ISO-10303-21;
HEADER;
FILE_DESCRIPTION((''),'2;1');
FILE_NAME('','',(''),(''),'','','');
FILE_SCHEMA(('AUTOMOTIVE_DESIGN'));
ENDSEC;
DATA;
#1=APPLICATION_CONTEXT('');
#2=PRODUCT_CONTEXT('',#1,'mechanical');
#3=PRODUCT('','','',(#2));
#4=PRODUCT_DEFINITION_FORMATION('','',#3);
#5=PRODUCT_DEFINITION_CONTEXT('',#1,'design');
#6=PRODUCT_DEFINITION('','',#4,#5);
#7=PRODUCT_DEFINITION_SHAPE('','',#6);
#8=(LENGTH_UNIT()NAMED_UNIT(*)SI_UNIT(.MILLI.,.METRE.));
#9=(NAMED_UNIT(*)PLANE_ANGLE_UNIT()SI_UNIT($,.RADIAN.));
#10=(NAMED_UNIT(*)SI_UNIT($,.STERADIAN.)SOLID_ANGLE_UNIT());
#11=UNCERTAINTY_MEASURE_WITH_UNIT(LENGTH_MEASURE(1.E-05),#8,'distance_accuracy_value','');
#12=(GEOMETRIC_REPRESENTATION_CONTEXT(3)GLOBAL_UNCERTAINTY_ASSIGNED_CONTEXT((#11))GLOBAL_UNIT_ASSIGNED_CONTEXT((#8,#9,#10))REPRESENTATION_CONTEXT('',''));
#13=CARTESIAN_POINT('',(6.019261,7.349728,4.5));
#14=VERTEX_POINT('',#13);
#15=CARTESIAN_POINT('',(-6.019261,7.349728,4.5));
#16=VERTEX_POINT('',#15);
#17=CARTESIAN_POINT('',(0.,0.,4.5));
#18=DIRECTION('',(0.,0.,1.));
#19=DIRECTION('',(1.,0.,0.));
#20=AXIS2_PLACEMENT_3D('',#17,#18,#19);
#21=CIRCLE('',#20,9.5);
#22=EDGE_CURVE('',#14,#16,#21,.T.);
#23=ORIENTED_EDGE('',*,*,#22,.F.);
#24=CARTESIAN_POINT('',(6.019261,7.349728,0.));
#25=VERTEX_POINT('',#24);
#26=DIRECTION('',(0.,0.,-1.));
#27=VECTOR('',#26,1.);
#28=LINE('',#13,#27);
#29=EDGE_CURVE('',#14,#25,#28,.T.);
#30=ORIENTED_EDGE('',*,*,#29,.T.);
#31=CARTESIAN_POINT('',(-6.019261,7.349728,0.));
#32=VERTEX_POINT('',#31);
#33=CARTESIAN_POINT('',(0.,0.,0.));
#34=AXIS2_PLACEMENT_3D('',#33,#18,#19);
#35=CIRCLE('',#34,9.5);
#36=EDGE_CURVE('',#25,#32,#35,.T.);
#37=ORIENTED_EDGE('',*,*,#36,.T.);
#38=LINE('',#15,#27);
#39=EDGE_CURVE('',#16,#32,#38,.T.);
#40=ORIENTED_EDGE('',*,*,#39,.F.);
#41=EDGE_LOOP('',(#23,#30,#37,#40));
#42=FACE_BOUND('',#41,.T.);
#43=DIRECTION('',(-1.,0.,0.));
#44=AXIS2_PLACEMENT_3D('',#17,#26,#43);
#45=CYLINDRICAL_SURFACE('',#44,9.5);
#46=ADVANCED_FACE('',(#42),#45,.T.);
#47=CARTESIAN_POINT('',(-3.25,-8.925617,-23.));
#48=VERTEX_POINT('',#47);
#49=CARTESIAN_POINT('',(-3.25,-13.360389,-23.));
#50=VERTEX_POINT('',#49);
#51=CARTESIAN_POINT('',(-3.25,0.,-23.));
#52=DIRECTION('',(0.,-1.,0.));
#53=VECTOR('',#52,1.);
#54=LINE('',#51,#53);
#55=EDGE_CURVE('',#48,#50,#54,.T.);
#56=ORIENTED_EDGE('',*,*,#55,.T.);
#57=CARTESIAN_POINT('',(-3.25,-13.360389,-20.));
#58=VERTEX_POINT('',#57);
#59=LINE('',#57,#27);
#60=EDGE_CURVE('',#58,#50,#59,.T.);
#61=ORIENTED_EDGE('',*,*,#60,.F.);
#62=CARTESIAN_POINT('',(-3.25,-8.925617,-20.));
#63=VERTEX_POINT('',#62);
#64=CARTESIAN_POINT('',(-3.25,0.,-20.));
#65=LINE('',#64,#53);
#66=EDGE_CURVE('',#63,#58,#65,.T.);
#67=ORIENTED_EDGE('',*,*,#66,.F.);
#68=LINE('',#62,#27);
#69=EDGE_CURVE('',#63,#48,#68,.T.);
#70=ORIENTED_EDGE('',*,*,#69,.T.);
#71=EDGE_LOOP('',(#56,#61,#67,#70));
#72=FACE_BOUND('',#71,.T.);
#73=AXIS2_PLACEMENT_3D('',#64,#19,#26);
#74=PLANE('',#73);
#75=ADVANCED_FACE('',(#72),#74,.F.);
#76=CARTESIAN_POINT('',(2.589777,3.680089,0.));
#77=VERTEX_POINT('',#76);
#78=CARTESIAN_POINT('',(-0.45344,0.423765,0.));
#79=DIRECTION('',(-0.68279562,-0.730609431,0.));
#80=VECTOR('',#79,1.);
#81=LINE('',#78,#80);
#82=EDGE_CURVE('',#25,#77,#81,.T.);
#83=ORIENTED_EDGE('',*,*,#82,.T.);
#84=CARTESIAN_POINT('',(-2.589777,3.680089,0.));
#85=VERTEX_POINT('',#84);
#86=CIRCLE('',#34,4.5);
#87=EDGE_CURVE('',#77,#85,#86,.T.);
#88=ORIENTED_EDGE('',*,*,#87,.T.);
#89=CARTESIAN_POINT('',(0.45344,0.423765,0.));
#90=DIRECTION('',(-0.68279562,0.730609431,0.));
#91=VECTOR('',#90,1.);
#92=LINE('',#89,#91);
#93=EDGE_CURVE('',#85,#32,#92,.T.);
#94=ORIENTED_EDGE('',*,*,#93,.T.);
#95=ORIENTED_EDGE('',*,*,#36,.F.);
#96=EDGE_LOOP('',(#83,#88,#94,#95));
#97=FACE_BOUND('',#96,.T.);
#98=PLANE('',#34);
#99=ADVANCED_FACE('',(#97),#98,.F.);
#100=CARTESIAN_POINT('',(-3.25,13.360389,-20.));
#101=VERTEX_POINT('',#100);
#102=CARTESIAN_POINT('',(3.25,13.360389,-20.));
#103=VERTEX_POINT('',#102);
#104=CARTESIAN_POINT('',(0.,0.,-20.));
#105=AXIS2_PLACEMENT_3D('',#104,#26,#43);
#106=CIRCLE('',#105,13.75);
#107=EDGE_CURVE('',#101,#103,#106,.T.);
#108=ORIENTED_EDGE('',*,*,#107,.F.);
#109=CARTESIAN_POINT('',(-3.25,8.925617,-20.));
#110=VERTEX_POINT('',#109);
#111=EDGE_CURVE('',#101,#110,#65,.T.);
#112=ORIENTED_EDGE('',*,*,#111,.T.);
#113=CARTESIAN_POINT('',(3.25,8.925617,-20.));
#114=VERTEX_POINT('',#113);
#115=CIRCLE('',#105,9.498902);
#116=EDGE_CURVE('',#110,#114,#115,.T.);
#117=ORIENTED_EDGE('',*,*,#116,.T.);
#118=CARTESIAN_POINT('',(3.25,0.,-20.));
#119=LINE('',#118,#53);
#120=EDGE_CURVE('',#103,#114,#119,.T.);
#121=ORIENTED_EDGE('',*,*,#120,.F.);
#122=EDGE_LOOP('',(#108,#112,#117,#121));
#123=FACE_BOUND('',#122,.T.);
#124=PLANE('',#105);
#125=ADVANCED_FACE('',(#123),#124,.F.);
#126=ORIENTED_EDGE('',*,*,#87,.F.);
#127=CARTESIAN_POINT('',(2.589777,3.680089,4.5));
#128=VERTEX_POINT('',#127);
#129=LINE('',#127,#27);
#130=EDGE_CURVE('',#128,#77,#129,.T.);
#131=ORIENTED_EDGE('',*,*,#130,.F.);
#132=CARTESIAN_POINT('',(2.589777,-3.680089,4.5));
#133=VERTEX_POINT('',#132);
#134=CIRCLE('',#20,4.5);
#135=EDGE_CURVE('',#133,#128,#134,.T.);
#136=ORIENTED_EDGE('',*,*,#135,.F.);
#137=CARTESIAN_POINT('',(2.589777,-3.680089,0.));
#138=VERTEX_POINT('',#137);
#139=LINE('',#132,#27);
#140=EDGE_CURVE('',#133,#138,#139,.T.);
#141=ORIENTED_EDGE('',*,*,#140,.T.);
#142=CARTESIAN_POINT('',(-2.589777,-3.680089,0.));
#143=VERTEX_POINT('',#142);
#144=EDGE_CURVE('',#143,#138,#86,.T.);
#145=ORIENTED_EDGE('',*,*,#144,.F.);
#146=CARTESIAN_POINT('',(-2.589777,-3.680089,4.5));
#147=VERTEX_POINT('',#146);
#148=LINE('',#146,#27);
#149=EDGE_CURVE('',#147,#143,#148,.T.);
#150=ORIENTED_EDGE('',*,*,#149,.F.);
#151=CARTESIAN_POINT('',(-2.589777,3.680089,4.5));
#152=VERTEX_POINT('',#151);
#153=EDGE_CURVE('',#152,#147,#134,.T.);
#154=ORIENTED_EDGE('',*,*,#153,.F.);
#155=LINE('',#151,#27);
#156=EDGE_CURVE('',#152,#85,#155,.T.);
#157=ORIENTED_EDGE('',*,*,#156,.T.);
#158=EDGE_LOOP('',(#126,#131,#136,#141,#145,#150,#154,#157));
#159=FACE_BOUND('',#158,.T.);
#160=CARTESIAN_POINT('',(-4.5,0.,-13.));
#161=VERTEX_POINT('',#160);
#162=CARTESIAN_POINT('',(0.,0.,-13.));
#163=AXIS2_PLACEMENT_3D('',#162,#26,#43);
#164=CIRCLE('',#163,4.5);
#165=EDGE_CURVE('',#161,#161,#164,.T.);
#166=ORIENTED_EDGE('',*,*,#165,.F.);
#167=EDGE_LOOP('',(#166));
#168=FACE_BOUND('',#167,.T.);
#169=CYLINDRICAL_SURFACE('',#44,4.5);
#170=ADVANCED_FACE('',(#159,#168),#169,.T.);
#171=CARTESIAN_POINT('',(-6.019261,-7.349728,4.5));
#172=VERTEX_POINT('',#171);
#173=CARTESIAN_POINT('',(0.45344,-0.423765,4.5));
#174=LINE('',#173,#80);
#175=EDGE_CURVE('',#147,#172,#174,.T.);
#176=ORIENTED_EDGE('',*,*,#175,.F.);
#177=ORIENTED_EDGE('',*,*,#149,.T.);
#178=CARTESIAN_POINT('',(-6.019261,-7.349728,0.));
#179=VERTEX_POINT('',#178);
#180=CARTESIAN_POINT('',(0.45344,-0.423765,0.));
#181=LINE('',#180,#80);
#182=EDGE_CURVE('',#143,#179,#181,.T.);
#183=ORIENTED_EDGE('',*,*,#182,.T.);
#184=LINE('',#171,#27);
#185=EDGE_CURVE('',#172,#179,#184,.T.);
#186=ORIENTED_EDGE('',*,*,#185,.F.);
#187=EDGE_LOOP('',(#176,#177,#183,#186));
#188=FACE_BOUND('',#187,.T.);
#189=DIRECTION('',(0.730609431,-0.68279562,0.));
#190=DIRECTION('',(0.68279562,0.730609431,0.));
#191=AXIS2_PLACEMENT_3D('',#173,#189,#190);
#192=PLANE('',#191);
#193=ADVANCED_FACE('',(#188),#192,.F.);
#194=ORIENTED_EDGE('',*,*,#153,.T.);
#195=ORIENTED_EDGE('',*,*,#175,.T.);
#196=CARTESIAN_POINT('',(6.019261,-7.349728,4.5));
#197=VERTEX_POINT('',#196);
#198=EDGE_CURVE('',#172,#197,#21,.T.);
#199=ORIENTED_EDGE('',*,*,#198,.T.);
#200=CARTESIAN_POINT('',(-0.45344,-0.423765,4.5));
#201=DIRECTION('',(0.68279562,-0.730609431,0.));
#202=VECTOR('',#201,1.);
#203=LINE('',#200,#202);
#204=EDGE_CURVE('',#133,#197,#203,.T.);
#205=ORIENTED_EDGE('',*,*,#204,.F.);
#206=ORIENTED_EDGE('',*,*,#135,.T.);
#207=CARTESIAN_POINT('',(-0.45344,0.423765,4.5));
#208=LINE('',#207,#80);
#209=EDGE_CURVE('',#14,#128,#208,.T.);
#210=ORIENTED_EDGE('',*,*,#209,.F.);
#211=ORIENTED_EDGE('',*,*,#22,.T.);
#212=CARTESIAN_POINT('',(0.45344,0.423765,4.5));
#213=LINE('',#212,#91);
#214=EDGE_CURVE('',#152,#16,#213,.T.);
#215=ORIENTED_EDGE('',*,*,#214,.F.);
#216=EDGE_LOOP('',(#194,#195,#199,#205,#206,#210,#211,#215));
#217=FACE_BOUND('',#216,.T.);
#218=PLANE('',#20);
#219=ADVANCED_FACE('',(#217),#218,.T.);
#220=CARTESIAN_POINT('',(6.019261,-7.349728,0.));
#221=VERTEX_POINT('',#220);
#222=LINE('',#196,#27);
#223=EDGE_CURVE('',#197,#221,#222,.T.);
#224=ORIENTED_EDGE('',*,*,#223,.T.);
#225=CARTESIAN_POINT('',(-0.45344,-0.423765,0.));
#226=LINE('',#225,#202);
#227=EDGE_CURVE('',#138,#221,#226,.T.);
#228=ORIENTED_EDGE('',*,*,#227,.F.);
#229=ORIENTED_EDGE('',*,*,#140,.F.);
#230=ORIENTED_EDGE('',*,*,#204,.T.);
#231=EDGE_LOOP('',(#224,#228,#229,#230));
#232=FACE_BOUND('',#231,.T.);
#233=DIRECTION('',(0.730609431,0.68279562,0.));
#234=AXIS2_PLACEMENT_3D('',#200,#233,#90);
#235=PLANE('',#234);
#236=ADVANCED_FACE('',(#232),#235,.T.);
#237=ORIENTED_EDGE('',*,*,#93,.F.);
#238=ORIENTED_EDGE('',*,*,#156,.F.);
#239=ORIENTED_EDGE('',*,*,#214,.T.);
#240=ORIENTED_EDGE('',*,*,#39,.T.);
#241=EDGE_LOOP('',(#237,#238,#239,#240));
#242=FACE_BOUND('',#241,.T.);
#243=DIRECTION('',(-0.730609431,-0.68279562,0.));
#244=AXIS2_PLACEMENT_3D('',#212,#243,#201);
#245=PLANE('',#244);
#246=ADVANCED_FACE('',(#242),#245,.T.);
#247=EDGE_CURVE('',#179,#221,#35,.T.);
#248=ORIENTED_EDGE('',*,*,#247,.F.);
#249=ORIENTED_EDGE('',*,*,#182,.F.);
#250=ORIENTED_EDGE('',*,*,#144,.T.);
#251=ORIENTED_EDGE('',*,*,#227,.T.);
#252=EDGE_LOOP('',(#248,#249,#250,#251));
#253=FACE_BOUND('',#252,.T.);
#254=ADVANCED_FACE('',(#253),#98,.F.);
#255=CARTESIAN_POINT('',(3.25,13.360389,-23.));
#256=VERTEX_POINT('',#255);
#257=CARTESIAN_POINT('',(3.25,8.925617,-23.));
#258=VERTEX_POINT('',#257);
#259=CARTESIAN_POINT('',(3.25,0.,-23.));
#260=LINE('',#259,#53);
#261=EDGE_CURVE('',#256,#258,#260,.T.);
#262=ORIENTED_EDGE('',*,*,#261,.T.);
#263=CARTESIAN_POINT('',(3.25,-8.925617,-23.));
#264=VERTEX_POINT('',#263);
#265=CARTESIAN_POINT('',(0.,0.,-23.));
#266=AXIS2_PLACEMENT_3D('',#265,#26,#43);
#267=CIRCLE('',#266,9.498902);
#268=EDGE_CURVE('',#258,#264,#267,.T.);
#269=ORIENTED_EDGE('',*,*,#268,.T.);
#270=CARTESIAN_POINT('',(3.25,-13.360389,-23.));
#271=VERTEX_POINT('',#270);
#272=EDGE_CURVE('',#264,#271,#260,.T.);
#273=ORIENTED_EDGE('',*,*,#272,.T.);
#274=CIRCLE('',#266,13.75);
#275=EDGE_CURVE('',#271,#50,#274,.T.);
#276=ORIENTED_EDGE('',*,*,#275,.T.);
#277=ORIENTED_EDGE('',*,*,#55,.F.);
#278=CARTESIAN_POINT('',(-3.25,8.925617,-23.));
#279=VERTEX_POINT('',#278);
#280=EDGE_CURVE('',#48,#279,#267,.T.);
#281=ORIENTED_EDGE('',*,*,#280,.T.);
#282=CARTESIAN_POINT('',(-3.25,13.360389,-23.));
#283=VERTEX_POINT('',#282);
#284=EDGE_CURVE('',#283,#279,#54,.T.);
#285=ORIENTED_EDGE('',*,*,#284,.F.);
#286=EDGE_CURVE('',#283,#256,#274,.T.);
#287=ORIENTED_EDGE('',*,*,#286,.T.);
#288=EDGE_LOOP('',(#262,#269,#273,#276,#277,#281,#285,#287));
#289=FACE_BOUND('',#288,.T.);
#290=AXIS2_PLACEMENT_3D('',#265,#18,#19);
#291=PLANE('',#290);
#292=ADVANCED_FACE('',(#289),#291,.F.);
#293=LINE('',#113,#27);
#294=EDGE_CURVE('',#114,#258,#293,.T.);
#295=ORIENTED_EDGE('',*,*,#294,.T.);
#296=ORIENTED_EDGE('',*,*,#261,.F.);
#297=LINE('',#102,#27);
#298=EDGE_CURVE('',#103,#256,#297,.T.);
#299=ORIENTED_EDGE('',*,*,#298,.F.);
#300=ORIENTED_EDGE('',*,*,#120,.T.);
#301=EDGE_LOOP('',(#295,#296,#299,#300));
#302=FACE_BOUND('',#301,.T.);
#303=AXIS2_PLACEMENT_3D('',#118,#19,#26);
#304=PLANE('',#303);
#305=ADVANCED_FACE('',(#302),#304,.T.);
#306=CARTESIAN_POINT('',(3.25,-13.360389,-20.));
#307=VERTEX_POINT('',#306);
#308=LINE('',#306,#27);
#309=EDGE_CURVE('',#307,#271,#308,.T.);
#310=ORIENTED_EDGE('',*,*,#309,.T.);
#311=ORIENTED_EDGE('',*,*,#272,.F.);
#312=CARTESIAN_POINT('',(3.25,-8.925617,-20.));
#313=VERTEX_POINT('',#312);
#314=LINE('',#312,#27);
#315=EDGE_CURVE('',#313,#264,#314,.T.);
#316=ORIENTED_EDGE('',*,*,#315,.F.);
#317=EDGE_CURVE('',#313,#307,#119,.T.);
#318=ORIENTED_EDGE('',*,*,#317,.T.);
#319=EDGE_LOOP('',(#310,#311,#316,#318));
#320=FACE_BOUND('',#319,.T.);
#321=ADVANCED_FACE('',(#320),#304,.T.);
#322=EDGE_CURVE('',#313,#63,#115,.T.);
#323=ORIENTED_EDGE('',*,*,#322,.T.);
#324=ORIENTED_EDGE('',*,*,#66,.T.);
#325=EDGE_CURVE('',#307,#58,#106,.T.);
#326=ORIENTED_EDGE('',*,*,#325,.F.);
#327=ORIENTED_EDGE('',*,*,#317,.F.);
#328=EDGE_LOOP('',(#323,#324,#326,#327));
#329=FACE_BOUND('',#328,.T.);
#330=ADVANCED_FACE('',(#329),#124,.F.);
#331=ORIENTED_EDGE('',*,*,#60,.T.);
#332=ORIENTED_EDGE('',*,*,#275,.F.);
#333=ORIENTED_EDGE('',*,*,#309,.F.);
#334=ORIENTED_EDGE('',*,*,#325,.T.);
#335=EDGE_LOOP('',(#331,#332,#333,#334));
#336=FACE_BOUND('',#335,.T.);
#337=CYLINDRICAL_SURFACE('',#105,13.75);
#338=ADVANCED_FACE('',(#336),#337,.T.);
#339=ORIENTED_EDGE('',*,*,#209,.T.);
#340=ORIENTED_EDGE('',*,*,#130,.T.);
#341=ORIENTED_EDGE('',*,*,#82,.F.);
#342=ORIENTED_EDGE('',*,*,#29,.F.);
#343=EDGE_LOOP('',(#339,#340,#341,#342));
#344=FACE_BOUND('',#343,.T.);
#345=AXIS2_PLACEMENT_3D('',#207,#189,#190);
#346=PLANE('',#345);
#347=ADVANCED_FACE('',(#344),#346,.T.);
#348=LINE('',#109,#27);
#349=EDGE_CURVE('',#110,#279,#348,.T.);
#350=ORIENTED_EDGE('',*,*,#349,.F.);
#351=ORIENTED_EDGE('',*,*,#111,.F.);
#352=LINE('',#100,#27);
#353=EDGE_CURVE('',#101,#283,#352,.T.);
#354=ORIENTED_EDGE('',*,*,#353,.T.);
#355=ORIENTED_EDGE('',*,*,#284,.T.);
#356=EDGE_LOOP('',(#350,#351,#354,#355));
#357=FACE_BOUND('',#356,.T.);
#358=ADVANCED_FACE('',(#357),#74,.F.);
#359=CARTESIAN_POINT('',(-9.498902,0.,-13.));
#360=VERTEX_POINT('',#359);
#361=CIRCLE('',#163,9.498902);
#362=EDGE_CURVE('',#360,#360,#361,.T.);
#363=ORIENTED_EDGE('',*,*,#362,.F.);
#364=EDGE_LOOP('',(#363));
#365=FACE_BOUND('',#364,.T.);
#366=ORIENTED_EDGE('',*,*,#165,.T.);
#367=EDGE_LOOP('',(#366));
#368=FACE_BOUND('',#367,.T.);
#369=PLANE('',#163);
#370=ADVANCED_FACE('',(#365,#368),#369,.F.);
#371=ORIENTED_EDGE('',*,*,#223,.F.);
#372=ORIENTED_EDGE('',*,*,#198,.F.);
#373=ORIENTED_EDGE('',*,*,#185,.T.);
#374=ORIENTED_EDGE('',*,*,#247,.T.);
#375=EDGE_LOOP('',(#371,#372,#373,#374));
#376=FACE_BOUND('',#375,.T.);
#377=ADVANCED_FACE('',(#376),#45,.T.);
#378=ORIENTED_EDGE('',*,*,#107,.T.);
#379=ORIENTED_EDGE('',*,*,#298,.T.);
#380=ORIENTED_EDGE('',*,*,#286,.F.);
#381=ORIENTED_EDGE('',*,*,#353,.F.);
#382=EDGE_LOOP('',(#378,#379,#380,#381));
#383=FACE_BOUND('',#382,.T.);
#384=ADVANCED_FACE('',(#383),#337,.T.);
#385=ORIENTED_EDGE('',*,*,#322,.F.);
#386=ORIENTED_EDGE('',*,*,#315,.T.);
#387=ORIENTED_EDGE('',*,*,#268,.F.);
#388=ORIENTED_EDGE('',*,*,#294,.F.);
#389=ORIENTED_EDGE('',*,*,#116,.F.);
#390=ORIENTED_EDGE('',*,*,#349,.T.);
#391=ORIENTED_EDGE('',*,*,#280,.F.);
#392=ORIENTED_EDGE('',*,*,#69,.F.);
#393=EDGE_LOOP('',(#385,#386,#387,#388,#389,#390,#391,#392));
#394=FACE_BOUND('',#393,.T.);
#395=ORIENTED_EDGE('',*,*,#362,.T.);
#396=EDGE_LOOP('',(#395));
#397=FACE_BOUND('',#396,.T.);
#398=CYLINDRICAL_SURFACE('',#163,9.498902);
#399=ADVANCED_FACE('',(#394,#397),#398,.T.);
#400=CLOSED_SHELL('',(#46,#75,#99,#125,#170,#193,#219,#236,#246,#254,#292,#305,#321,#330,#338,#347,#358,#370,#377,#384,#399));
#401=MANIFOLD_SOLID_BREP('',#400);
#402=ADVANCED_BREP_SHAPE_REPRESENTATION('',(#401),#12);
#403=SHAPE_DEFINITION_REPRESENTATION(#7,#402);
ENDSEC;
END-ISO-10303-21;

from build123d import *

# Parameters (mm, degrees)
BOSS_EXTRUDE1_DEPTH = 4.5
BOSS_EXTRUDE2_START = -23
BOSS_EXTRUDE2_DEPTH = 23
BOSS_EXTRUDE3_DEPTH = 10
BOSS_EXTRUDE4_DEPTH = 3


with BuildPart() as part:
    # Sketch1 → Boss-Extrude1 (new body)
    with BuildSketch(Plane.XY):
        with BuildLine():
            Line((2.589777271, 3.680088815), (6.019261146, 7.349727563))
            ThreePointArc((6.019261146, 7.349727563), (0, 9.5), (-6.019261146, 7.349727563))
            Line((-6.019261146, 7.349727563), (-2.589777271, 3.680088815))
            ThreePointArc((-2.589777271, 3.680088815), (-4.5, 0), (-2.589777271, -3.680088815))
            Line((-2.589777271, -3.680088815), (-6.019261146, -7.349727563))
            ThreePointArc((-6.019261146, -7.349727563), (0, -9.5), (6.019261146, -7.349727563))
            Line((6.019261146, -7.349727563), (2.589777271, -3.680088815))
            ThreePointArc((2.589777271, -3.680088815), (4.5, 0), (2.589777271, 3.680088815))
        make_face()
    extrude(amount=BOSS_EXTRUDE1_DEPTH)

    # Sketch1<3> → Boss-Extrude2 (add)
    with BuildSketch(Plane.XY.offset(BOSS_EXTRUDE2_START)):
        with BuildLine():
            ThreePointArc((4.5, 0), (3.99399535, 2.073162112), (2.589777271, 3.680088815))
            ThreePointArc((2.589777271, 3.680088815), (0, 4.5), (-2.589777271, 3.680088815))
            ThreePointArc((-2.589777271, 3.680088815), (-4.5, 0), (-2.589777271, -3.680088815))
            ThreePointArc((-2.589777271, -3.680088815), (0, -4.5), (2.589777271, -3.680088815))
            ThreePointArc((2.589777271, -3.680088815), (3.99399535, -2.073162112), (4.5, 0))
        make_face()
    extrude(amount=BOSS_EXTRUDE2_DEPTH)

    # Sketch2 → Boss-Extrude3 (add)
    with BuildSketch(Plane(origin=(0, 0, -23), x_dir=(-1, 0, 0), z_dir=(0, 0, -1))):
        with BuildLine():
            ThreePointArc((-3.25, 8.92561653), (-9.498901539, 0), (-3.25, -8.92561653))
            ThreePointArc((-3.25, -8.92561653), (0, -9.498901539), (3.25, -8.92561653))
            ThreePointArc((3.25, -8.92561653), (7.781406057, -5.447829864), (9.498901539, 0))
            ThreePointArc((9.498901539, 0), (7.781406057, 5.447829864), (3.25, 8.92561653))
            ThreePointArc((3.25, 8.92561653), (0, 9.498901539), (-3.25, 8.92561653))
        make_face()
    extrude(amount=-BOSS_EXTRUDE3_DEPTH)

    # Sketch2<3> → Boss-Extrude4 (add)
    with BuildSketch(Plane(origin=(0, 0, -23), x_dir=(-1, 0, 0), z_dir=(0, 0, -1))):
        with BuildLine():
            ThreePointArc((3.25, -8.92561653), (0, -9.498901539), (-3.25, -8.92561653))
            Line((-3.25, -8.92561653), (-3.25, -13.360389216))
            ThreePointArc((-3.25, -13.360389216), (0, -13.75), (3.25, -13.360389216))
            Line((3.25, -13.360389216), (3.25, -8.92561653))
        make_face()
        with BuildLine():
            Line((-3.25, 13.360389216), (-3.25, 8.92561653))
            ThreePointArc((-3.25, 8.92561653), (0, 9.498901539), (3.25, 8.92561653))
            Line((3.25, 8.92561653), (3.25, 13.360389216))
            ThreePointArc((3.25, 13.360389216), (0, 13.75), (-3.25, 13.360389216))
        make_face()
    extrude(amount=-BOSS_EXTRUDE4_DEPTH)


solid = part.part
